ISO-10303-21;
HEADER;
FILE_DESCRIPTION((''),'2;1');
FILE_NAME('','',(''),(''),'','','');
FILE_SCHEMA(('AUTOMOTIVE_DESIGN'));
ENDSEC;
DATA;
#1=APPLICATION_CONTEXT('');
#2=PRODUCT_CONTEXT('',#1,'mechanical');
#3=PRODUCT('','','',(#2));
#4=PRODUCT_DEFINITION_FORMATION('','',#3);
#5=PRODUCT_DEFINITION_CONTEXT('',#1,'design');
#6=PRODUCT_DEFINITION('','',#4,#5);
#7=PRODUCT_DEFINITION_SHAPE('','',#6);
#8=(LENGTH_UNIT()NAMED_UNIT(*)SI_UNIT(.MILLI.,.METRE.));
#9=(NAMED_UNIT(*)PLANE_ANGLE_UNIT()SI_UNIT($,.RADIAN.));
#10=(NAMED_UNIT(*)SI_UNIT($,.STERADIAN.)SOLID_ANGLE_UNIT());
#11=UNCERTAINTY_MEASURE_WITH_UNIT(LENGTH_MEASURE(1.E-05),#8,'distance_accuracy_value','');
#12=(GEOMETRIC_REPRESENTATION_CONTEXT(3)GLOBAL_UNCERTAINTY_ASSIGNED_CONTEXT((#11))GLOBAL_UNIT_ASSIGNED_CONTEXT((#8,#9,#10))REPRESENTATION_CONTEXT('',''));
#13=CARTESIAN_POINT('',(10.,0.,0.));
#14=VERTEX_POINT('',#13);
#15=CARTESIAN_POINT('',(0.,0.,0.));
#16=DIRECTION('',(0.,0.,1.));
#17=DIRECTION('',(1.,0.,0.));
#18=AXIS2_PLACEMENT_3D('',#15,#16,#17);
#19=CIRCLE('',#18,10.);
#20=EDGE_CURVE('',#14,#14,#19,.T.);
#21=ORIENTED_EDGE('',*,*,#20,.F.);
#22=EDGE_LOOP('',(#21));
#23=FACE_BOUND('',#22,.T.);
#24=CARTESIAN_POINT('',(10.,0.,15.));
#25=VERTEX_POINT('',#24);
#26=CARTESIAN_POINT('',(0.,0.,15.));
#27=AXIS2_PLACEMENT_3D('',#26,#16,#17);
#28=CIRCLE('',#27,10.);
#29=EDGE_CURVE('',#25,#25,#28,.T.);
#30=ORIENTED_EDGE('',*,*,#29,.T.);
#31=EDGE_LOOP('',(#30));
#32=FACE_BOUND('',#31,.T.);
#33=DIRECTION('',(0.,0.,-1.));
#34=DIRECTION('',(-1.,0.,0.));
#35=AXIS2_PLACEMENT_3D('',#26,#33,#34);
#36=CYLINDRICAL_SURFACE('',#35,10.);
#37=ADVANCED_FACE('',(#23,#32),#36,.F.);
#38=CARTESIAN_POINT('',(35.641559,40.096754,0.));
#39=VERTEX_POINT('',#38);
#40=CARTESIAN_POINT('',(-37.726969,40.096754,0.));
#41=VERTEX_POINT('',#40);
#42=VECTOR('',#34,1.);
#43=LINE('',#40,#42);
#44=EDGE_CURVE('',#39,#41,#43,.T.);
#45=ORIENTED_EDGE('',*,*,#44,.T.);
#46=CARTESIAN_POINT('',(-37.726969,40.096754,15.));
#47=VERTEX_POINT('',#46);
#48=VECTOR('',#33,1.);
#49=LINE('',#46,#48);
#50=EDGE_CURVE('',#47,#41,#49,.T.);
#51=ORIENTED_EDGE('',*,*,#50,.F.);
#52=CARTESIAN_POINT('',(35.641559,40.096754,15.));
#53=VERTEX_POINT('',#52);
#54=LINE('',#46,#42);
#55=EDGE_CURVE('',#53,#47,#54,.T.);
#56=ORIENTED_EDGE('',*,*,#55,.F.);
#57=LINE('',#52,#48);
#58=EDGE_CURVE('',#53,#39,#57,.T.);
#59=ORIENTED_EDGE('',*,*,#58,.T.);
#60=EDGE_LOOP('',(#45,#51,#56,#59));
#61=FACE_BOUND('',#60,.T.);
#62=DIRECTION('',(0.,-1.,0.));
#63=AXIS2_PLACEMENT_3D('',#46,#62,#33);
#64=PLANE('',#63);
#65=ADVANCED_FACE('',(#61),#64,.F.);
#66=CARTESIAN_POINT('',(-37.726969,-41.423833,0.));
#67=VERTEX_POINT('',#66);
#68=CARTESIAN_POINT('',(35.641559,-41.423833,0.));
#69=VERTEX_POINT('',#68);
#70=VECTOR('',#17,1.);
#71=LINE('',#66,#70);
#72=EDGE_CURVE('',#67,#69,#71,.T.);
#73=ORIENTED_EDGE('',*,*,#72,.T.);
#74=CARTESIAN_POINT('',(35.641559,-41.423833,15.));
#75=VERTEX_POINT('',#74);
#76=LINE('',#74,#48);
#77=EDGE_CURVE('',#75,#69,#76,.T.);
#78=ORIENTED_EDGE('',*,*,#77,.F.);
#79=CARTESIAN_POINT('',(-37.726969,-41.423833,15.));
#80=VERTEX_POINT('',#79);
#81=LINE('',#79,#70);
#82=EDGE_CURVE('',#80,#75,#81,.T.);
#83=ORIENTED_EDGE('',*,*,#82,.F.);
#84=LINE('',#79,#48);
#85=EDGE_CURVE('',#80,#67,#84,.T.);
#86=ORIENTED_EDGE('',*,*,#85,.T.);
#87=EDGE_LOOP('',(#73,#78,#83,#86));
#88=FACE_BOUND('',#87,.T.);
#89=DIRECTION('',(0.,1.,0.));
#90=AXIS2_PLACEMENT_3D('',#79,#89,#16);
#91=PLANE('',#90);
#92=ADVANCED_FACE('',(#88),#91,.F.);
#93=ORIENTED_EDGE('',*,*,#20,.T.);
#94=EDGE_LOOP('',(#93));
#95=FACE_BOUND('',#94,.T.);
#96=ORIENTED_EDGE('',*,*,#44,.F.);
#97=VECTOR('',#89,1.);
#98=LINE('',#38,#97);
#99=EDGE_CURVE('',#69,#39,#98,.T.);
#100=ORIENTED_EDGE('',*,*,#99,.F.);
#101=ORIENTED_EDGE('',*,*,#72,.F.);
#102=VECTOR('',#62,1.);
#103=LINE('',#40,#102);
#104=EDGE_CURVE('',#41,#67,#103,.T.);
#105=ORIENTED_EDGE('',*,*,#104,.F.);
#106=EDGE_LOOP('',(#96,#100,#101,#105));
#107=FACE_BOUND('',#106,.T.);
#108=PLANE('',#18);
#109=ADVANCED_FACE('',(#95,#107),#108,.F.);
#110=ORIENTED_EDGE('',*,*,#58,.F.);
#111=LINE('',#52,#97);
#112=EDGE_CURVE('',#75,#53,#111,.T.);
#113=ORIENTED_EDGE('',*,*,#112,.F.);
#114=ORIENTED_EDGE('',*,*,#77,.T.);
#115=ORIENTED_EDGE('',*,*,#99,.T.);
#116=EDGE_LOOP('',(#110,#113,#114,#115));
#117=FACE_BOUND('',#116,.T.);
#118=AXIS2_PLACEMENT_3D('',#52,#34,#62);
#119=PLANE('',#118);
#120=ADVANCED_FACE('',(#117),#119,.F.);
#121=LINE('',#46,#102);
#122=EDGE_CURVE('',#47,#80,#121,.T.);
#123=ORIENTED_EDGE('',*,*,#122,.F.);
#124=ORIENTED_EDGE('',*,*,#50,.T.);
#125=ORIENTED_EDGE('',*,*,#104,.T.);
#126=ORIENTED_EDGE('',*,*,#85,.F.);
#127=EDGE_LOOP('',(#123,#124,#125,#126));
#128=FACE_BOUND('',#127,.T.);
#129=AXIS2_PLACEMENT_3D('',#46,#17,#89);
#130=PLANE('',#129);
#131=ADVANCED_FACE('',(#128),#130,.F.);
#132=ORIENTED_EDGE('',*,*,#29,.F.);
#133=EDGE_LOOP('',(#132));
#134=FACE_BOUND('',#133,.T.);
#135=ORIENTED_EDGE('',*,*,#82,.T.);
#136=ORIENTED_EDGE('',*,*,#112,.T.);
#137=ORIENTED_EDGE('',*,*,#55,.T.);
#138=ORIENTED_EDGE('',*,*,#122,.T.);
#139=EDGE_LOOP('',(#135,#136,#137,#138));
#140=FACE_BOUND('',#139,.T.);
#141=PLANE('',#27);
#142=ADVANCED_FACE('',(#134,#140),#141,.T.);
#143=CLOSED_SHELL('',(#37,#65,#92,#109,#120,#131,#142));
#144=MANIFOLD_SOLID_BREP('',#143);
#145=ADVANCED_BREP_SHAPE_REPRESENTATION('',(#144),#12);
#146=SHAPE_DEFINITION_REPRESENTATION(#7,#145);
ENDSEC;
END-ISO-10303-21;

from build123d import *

# Parameters (mm, degrees)
SKETCH1_W           = 73.368528588
SKETCH1_H           = 81.52058732
SKETCH1_R           = 10
BOSS_EXTRUDE1_DEPTH = 15


with BuildPart() as part:
    # Sketch1 → Boss-Extrude1 (new body)
    with BuildSketch(Plane.XY):
        with Locations((-1.042705187, -0.663539664)):
            Rectangle(SKETCH1_W, SKETCH1_H)
        Circle(SKETCH1_R, mode=Mode.SUBTRACT)
    extrude(amount=BOSS_EXTRUDE1_DEPTH)


solid = part.part
